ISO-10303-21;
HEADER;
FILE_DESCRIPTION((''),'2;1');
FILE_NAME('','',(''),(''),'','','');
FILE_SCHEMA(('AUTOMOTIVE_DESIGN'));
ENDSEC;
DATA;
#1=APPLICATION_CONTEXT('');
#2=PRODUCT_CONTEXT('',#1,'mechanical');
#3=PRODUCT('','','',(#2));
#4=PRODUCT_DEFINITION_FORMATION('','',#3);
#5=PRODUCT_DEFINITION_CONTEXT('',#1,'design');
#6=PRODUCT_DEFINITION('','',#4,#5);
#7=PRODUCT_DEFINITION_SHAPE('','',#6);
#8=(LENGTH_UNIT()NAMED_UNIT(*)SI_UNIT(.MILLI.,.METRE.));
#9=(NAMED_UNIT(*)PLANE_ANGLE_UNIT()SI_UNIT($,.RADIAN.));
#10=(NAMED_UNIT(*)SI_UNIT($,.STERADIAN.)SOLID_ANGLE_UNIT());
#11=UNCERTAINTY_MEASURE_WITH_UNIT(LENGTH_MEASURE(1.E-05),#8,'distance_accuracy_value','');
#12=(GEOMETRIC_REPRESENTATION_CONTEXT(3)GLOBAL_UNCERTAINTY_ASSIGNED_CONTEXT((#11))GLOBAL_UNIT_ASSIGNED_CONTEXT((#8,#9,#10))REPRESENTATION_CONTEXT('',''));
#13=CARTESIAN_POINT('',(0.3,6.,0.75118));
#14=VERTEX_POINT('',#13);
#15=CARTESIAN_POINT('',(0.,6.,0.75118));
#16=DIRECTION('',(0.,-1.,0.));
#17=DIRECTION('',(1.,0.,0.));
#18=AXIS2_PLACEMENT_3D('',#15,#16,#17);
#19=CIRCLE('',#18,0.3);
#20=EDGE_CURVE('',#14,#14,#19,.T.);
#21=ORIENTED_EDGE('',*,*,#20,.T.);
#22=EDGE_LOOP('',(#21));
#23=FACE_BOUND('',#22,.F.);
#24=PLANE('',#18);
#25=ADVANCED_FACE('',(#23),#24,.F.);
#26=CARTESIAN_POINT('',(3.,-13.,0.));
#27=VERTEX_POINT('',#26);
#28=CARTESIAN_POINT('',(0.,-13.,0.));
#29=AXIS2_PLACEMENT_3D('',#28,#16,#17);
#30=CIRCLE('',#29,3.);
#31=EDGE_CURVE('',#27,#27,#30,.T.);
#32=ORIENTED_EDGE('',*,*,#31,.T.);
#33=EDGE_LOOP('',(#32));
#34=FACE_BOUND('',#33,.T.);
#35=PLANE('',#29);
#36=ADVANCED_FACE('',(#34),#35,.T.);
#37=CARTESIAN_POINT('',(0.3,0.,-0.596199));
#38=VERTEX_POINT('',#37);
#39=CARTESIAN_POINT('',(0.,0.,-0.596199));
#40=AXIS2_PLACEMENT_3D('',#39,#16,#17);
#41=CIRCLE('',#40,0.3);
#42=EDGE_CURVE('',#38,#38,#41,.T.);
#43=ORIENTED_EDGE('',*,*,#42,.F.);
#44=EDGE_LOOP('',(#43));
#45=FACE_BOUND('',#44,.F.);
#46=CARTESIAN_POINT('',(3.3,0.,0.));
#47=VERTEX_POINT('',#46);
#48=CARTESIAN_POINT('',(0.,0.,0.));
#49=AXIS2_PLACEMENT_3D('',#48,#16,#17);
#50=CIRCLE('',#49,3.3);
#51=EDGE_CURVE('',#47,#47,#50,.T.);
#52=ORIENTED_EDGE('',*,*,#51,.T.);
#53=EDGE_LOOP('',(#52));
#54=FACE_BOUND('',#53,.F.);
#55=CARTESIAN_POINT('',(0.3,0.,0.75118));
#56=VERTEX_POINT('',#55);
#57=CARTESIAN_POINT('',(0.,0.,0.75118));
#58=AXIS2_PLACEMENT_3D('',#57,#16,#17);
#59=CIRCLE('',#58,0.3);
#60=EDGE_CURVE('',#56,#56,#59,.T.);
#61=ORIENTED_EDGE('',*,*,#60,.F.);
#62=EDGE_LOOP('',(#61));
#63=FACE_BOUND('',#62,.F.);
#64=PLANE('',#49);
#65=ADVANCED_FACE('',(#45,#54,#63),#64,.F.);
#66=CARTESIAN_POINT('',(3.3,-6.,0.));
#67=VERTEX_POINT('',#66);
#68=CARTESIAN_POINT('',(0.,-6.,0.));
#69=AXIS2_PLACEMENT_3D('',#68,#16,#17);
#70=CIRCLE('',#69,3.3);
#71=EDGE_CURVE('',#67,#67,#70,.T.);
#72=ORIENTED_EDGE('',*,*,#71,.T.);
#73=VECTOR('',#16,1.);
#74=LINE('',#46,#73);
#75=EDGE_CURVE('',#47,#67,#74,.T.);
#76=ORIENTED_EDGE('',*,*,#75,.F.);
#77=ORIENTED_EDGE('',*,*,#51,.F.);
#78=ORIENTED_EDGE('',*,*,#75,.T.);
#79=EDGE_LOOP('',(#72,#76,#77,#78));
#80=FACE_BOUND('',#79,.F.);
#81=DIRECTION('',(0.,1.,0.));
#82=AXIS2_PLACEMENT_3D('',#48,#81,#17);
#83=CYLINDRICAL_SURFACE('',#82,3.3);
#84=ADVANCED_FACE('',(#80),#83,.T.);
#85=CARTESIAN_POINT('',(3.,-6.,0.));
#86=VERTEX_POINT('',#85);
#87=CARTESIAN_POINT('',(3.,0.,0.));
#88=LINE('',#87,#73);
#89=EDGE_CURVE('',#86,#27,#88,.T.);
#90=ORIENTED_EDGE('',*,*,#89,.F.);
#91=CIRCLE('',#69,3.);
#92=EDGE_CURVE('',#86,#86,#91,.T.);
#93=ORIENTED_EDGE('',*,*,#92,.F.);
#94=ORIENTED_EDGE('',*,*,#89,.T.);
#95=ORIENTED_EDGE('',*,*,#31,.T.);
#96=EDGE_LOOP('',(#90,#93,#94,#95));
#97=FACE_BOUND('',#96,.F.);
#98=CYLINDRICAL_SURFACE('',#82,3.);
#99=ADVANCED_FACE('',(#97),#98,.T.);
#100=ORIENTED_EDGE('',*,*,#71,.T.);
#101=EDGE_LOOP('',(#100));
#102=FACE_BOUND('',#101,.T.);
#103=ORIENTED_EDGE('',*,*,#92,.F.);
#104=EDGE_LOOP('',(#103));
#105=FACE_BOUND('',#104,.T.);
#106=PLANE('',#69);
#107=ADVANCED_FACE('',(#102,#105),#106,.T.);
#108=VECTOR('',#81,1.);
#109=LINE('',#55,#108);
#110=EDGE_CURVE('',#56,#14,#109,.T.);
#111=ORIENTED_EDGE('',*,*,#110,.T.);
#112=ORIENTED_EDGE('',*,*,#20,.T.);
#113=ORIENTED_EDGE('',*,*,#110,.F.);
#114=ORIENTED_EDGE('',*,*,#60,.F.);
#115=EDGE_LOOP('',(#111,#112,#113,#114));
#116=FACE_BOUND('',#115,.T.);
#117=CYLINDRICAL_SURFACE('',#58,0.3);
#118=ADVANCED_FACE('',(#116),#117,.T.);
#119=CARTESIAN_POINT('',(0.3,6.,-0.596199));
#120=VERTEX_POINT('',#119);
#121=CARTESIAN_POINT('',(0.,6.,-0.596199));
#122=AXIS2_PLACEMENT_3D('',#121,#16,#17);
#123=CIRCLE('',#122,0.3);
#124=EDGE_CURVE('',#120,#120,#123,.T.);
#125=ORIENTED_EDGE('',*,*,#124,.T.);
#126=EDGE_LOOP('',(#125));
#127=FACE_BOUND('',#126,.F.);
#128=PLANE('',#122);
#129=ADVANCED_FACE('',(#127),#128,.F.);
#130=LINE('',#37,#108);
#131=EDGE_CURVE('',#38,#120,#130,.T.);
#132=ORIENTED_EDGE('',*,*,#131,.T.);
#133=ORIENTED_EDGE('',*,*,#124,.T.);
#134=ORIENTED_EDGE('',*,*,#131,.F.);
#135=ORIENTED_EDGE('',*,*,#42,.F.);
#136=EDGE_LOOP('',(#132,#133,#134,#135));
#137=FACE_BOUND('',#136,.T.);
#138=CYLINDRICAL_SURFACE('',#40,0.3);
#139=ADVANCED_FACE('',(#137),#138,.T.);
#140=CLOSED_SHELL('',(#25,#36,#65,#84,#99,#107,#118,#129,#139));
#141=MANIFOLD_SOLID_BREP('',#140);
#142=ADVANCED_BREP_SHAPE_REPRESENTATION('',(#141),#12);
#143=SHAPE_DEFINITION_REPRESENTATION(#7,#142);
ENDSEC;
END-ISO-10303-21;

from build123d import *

# Parameters (mm, degrees)
F0_R     = 3
F0_R_2   = 0.3
F1_DEPTH = 13
F0_R_3   = 3.3
F2_DEPTH = 6
F3_DEPTH = 6


with BuildPart() as f1:
    # F0 (on Front) → F1 (new body)
    with BuildSketch(Plane.XZ):
        Circle(F0_R)
        with Locations((0, -0.5961988354)):
            Circle(F0_R_2, mode=Mode.SUBTRACT)
        with Locations((0, 0.7511804579)):
            Circle(F0_R_2, mode=Mode.SUBTRACT)
        with Locations((0, 0.7511804579)):
            Circle(F0_R_2)
        with Locations((0, -0.5961988354)):
            Circle(F0_R_2)
    extrude(amount=F1_DEPTH)

    # F0 (on Front) → F2 (join)
    with BuildSketch(Plane.XZ):
        Circle(F0_R_3)
        Circle(F0_R, mode=Mode.SUBTRACT)
    extrude(amount=F2_DEPTH)

    # F0 (on Front) → F3 (join)
    with BuildSketch(Plane.XZ):
        with Locations((0, 0.7511804579)):
            Circle(F0_R_2)
        with Locations((0, -0.5961988354)):
            Circle(F0_R_2)
    extrude(amount=-F3_DEPTH)


solid = f1.part
